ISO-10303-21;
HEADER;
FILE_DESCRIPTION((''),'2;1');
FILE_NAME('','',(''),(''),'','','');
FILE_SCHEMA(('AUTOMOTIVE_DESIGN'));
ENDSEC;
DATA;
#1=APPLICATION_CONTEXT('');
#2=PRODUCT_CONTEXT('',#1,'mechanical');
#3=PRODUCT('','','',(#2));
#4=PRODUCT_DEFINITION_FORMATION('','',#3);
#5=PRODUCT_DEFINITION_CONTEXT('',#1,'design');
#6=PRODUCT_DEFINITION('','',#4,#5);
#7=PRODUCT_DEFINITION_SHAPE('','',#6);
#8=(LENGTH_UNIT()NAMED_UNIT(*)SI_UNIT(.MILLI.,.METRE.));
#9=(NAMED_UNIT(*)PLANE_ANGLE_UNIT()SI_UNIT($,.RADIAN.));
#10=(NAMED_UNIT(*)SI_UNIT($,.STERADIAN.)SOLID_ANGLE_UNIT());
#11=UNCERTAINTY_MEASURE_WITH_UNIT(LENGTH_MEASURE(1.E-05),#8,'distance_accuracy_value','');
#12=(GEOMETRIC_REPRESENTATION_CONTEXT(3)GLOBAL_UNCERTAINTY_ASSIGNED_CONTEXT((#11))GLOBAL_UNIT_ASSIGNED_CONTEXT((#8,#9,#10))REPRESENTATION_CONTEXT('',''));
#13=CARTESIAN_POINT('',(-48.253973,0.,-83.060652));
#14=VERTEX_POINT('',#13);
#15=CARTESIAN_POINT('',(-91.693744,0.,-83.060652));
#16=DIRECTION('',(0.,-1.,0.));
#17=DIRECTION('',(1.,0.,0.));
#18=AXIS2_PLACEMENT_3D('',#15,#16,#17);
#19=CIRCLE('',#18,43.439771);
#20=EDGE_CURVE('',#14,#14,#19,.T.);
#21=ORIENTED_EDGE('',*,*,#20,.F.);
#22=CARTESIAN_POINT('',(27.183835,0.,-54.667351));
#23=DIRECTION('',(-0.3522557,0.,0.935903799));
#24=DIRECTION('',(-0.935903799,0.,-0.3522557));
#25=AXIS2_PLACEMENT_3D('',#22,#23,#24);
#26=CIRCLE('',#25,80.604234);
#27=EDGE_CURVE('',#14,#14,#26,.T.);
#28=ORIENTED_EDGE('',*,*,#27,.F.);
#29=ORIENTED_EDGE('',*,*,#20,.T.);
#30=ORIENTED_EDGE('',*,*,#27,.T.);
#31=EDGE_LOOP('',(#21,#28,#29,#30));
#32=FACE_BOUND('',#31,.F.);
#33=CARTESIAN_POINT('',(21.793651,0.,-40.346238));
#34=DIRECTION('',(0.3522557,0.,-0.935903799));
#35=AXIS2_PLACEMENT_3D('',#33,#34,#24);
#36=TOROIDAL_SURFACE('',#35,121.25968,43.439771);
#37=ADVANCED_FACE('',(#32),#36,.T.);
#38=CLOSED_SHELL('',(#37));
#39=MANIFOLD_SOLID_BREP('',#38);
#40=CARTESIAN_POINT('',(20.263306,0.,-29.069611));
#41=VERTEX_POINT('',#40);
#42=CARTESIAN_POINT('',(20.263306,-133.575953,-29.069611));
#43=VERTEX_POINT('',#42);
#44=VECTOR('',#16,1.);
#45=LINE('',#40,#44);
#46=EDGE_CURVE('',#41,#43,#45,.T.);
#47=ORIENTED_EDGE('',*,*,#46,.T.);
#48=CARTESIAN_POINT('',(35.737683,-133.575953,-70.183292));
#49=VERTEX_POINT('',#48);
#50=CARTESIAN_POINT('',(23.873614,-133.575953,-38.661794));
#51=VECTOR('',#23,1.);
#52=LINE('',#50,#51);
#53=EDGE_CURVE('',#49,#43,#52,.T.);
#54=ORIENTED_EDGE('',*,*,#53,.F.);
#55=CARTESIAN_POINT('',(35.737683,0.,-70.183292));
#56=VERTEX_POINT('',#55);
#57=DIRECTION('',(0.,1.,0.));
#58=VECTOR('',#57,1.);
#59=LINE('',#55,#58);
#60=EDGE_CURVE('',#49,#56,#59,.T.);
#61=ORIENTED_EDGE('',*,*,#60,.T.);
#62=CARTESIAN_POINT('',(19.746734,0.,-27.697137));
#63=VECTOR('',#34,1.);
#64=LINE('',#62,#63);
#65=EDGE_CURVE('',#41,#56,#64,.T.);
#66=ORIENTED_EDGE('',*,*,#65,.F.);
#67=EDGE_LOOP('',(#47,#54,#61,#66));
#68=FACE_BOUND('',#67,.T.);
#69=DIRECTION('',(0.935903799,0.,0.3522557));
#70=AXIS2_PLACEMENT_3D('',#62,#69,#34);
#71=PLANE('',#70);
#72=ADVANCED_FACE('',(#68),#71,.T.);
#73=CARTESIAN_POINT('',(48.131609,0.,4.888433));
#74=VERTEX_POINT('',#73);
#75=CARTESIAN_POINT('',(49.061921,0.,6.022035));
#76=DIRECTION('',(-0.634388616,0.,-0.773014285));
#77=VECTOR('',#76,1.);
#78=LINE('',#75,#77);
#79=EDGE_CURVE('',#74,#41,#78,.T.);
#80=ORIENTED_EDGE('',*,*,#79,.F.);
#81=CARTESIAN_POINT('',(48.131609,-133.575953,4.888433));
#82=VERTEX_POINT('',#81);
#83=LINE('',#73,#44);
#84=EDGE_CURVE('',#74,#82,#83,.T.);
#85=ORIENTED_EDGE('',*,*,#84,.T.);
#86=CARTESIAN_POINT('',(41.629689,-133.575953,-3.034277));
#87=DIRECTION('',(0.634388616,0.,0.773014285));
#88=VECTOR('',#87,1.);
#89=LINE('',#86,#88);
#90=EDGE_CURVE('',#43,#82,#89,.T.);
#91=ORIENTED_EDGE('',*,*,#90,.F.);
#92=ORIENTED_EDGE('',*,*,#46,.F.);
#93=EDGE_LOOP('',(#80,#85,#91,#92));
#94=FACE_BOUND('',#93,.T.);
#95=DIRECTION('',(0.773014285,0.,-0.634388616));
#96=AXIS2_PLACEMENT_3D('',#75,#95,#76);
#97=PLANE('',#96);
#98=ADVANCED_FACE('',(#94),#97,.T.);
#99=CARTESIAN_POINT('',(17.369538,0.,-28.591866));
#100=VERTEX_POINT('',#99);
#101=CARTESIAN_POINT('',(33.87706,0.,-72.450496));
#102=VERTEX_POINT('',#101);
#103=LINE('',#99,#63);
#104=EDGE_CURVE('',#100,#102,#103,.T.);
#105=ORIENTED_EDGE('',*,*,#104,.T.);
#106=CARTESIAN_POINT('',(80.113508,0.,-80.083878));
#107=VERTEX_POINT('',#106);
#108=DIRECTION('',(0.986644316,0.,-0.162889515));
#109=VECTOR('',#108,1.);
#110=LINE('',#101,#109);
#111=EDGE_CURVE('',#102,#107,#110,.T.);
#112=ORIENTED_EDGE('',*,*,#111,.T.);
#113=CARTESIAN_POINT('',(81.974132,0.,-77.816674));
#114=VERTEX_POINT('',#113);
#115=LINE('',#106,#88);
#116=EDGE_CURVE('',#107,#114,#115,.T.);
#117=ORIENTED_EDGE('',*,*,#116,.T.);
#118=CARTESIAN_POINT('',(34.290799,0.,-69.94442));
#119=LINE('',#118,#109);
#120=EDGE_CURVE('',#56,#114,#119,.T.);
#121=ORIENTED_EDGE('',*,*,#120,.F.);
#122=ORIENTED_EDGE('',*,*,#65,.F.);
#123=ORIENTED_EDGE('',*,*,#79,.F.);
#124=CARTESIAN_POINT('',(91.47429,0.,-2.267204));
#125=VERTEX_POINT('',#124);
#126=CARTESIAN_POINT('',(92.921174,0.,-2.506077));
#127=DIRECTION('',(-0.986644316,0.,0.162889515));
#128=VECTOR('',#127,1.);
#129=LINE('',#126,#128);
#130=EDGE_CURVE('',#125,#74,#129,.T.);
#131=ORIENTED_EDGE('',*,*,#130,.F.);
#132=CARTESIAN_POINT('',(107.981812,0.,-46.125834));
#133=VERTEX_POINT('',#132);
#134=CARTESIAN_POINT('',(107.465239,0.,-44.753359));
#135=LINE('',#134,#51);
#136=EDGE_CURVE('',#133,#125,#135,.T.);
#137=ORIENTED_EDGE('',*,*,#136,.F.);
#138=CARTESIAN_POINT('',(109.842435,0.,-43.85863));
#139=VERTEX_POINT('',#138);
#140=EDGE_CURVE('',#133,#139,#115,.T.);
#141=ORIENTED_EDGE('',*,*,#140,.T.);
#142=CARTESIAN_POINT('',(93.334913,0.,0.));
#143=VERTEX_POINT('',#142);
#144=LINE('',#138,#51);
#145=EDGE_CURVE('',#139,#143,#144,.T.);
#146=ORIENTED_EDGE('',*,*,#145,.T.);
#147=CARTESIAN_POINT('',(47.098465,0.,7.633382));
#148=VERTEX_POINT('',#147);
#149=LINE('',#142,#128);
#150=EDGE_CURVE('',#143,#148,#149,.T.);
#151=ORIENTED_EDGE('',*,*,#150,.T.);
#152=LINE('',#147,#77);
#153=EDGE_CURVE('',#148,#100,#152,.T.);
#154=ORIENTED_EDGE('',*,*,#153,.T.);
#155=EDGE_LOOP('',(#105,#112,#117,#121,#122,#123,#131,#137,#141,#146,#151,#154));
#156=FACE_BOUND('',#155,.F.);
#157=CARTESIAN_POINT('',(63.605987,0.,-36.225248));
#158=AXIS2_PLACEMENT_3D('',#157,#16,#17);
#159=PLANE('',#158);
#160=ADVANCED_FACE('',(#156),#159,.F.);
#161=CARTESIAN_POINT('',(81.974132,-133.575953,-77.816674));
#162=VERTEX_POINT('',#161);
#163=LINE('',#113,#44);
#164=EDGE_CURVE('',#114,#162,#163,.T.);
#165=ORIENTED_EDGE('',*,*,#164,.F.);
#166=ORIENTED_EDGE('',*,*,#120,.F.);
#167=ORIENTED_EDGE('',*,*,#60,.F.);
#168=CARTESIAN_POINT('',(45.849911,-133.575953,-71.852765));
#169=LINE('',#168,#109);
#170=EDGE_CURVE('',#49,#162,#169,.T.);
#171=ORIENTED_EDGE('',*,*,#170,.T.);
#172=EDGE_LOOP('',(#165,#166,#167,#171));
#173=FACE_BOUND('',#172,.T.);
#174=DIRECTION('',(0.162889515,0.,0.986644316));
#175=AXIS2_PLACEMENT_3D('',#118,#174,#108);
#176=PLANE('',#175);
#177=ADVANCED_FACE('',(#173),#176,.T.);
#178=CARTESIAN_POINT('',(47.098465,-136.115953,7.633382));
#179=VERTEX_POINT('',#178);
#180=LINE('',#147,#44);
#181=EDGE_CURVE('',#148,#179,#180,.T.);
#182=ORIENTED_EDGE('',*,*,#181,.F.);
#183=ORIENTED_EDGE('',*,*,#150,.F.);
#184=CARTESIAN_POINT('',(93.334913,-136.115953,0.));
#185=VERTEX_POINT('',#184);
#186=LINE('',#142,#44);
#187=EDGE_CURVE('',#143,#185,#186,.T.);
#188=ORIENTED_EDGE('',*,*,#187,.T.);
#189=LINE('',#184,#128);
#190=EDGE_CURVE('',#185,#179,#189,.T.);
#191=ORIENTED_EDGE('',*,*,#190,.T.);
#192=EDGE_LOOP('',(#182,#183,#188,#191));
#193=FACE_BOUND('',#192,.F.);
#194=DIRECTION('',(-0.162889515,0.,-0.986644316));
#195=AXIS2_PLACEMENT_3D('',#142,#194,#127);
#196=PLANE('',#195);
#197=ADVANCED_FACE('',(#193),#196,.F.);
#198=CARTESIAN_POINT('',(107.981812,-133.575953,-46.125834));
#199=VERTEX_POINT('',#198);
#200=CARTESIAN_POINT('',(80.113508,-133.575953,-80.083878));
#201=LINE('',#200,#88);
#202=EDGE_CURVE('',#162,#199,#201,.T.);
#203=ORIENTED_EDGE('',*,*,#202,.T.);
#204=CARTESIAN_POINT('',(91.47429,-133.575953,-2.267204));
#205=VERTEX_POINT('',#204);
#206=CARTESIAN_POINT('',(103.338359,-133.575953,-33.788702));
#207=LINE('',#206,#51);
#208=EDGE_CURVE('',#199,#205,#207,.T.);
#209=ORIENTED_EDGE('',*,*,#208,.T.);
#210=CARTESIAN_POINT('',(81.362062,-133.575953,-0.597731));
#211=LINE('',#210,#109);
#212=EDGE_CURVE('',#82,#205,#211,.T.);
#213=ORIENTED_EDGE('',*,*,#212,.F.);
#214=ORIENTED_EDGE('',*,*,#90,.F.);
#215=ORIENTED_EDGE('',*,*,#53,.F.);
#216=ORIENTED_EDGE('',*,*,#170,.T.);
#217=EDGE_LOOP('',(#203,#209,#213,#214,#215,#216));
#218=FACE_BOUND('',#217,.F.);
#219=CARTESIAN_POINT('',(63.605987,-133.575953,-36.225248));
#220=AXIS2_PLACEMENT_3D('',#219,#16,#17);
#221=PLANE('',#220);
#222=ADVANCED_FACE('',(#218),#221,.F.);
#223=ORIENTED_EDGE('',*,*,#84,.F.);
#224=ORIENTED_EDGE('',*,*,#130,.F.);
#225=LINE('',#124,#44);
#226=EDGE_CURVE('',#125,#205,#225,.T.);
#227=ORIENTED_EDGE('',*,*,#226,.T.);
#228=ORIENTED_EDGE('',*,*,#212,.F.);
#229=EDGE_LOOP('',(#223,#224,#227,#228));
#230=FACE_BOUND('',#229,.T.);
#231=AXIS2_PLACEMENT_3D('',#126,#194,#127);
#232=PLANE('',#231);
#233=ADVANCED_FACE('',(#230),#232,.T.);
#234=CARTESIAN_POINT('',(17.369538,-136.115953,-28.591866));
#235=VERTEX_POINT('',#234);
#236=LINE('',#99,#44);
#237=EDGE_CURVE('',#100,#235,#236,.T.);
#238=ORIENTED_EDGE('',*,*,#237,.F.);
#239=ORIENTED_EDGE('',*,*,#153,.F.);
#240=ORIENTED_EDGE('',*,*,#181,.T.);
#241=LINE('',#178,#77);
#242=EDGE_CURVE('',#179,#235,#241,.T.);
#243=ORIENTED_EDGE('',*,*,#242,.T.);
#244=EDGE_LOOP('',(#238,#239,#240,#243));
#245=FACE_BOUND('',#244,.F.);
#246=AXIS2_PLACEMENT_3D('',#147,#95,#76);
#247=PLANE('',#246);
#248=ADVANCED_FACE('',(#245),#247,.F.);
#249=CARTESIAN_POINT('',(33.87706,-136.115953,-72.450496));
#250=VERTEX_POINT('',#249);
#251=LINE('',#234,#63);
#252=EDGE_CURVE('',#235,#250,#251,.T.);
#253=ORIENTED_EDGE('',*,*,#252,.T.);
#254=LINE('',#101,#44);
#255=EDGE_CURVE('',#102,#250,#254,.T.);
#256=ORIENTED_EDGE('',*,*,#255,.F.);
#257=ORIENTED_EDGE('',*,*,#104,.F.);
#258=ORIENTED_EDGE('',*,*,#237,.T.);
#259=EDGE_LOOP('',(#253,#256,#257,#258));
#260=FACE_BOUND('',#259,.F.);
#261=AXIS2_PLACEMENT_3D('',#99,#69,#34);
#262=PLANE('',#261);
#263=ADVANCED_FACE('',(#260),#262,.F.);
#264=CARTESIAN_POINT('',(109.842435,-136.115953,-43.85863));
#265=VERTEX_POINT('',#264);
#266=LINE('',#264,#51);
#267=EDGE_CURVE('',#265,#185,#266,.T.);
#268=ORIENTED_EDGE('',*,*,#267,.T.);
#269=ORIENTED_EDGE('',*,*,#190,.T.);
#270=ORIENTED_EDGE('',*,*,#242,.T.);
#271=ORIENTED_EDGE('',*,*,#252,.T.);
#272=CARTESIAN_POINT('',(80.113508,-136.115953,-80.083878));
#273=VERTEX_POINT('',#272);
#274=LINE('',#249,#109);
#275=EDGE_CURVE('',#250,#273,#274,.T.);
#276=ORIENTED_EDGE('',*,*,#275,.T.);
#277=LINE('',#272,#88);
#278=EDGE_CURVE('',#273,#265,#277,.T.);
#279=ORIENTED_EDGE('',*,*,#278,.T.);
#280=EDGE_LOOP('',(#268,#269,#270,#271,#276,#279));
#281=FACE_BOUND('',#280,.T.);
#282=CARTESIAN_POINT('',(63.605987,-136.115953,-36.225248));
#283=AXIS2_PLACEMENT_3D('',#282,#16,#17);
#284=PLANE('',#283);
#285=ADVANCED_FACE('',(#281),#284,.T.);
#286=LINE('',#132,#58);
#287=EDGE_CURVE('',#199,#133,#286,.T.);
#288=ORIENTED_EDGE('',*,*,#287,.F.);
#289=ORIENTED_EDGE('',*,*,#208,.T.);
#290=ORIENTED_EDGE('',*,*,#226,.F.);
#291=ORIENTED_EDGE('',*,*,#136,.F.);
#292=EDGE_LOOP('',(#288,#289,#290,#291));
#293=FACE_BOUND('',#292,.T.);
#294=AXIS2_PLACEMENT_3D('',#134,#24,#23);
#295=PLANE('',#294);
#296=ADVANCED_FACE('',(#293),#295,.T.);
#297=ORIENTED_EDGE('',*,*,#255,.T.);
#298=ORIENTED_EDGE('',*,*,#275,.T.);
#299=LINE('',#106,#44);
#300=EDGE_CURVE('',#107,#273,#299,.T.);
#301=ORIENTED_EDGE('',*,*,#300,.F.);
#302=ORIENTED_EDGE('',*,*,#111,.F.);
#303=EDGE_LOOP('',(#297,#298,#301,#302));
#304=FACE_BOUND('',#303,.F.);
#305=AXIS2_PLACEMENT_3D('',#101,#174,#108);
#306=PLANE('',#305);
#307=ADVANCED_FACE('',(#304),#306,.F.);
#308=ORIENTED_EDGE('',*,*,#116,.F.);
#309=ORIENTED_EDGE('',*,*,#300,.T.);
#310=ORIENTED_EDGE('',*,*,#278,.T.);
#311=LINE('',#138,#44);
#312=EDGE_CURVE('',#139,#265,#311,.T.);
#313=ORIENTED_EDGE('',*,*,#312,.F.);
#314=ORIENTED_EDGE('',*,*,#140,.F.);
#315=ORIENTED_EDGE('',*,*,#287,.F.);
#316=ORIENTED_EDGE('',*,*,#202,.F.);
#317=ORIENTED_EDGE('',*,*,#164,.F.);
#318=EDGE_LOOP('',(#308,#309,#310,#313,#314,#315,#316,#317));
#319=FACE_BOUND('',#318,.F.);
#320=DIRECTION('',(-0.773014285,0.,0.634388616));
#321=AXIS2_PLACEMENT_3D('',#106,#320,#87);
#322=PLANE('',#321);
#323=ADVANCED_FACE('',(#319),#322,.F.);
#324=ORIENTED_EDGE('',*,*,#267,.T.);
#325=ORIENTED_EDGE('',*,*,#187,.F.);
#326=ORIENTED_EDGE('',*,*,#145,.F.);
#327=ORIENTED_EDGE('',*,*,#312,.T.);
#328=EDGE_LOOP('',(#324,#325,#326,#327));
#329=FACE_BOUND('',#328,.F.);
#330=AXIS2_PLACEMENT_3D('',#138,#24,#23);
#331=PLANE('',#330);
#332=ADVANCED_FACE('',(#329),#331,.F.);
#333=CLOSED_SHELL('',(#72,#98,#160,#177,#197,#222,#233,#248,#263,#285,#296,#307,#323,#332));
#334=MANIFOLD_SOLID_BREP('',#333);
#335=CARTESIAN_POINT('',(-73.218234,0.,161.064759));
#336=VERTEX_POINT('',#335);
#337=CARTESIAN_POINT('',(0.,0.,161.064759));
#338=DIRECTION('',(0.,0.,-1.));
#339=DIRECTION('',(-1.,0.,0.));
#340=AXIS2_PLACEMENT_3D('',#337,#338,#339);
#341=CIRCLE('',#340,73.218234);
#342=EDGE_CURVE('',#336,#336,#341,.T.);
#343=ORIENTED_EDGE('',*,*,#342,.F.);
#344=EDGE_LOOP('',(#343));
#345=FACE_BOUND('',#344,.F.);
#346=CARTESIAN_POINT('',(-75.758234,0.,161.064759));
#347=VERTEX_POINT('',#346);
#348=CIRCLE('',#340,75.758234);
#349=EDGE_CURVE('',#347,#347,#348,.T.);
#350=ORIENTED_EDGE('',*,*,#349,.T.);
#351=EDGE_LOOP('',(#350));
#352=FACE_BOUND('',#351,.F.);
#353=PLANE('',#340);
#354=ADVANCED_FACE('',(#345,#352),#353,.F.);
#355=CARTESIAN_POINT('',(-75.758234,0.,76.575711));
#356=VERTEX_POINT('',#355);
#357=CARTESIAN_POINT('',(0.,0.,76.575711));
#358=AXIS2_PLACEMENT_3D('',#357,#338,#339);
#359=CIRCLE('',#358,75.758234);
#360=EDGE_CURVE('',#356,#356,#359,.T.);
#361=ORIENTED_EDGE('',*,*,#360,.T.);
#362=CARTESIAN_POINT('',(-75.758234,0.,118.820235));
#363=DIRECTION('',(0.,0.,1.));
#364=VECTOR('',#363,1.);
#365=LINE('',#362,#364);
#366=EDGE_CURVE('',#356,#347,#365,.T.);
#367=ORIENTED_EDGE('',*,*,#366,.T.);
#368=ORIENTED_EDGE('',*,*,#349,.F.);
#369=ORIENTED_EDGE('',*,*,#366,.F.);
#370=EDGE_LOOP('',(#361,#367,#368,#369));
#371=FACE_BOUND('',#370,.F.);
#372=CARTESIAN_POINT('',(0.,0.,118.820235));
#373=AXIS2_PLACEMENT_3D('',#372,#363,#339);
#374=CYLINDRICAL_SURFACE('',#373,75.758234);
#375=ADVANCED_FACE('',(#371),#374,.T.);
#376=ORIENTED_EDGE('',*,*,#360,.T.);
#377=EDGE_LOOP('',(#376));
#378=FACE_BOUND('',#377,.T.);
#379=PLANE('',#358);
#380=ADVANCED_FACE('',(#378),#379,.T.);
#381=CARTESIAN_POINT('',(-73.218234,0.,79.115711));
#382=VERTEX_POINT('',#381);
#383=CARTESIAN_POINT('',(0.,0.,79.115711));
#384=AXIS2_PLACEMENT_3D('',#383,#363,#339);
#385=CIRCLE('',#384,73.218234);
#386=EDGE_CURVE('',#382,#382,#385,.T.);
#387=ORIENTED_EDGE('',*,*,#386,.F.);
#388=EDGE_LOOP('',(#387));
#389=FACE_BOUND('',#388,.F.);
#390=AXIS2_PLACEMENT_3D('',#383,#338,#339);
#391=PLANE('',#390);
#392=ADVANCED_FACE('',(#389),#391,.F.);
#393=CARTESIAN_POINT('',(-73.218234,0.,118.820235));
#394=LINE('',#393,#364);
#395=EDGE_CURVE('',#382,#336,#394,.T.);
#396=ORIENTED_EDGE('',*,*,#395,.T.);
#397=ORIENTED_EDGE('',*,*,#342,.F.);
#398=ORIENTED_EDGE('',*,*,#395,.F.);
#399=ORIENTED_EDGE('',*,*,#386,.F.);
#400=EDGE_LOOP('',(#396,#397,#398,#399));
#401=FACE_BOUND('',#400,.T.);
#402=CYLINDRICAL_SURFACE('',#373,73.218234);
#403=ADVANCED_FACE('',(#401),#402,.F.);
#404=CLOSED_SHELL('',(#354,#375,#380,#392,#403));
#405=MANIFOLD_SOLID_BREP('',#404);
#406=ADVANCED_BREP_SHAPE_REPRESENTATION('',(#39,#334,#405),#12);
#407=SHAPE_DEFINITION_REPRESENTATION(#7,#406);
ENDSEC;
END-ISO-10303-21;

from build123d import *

# Parameters (mm, degrees)
F0_W     = 75.7582336664
F0_H     = 84.4890475273
F4_DEPTH = 136.1159533262
F2_R     = 43.439770763
F6_T     = -2.54
F7_T     = -2.54


with BuildPart() as f1:
    # F0 (on Front) → F1 (revolve)
    with BuildSketch(Plane.XZ):
        with Locations((-37.8791168332, 118.8202351332)):
            Rectangle(F0_W, F0_H)
    revolve(axis=Axis((0, 0, 118.8202351332), (0, 0, -1)))

    # F6
    f6_openings = [f1.faces().sort_by_distance(p)[0] for p in [
        (0, 0, 161.064759),
    ]]
    offset(amount=F6_T, openings=f6_openings)


with BuildPart() as f4:
    # F3 (on Front) → F4 (new body)
    with BuildSketch(Plane.XZ):
        Polygon((109.8424350321, -43.8586298293), (93.3349132538, 0), (47.0984647573, 7.6333817011), (17.369538039, -28.591866427), (33.8770598173, -72.4504962564), (80.1135083138, -80.0838779575), align=None)
    extrude(amount=F4_DEPTH)

    # F7
    f7_openings = [f4.faces().sort_by_distance(p)[0] for p in [
        (63.605987, 0, -36.225248),
        (94.977972, -68.057977, -61.971254),
    ]]
    offset(amount=F7_T, openings=f7_openings)


with BuildPart() as f5:
    # F2 (on Front) → F5 (revolve)
    with BuildSketch(Plane.XZ):
        with Locations((-91.6937440634, -83.0606520176)):
            Circle(F2_R)
    revolve(axis=Axis((25.6232989282, 0, -50.5211813417), (-0.3522557, 0, 0.9359037994)))


solid = Compound([f1.part, f4.part, f5.part])
